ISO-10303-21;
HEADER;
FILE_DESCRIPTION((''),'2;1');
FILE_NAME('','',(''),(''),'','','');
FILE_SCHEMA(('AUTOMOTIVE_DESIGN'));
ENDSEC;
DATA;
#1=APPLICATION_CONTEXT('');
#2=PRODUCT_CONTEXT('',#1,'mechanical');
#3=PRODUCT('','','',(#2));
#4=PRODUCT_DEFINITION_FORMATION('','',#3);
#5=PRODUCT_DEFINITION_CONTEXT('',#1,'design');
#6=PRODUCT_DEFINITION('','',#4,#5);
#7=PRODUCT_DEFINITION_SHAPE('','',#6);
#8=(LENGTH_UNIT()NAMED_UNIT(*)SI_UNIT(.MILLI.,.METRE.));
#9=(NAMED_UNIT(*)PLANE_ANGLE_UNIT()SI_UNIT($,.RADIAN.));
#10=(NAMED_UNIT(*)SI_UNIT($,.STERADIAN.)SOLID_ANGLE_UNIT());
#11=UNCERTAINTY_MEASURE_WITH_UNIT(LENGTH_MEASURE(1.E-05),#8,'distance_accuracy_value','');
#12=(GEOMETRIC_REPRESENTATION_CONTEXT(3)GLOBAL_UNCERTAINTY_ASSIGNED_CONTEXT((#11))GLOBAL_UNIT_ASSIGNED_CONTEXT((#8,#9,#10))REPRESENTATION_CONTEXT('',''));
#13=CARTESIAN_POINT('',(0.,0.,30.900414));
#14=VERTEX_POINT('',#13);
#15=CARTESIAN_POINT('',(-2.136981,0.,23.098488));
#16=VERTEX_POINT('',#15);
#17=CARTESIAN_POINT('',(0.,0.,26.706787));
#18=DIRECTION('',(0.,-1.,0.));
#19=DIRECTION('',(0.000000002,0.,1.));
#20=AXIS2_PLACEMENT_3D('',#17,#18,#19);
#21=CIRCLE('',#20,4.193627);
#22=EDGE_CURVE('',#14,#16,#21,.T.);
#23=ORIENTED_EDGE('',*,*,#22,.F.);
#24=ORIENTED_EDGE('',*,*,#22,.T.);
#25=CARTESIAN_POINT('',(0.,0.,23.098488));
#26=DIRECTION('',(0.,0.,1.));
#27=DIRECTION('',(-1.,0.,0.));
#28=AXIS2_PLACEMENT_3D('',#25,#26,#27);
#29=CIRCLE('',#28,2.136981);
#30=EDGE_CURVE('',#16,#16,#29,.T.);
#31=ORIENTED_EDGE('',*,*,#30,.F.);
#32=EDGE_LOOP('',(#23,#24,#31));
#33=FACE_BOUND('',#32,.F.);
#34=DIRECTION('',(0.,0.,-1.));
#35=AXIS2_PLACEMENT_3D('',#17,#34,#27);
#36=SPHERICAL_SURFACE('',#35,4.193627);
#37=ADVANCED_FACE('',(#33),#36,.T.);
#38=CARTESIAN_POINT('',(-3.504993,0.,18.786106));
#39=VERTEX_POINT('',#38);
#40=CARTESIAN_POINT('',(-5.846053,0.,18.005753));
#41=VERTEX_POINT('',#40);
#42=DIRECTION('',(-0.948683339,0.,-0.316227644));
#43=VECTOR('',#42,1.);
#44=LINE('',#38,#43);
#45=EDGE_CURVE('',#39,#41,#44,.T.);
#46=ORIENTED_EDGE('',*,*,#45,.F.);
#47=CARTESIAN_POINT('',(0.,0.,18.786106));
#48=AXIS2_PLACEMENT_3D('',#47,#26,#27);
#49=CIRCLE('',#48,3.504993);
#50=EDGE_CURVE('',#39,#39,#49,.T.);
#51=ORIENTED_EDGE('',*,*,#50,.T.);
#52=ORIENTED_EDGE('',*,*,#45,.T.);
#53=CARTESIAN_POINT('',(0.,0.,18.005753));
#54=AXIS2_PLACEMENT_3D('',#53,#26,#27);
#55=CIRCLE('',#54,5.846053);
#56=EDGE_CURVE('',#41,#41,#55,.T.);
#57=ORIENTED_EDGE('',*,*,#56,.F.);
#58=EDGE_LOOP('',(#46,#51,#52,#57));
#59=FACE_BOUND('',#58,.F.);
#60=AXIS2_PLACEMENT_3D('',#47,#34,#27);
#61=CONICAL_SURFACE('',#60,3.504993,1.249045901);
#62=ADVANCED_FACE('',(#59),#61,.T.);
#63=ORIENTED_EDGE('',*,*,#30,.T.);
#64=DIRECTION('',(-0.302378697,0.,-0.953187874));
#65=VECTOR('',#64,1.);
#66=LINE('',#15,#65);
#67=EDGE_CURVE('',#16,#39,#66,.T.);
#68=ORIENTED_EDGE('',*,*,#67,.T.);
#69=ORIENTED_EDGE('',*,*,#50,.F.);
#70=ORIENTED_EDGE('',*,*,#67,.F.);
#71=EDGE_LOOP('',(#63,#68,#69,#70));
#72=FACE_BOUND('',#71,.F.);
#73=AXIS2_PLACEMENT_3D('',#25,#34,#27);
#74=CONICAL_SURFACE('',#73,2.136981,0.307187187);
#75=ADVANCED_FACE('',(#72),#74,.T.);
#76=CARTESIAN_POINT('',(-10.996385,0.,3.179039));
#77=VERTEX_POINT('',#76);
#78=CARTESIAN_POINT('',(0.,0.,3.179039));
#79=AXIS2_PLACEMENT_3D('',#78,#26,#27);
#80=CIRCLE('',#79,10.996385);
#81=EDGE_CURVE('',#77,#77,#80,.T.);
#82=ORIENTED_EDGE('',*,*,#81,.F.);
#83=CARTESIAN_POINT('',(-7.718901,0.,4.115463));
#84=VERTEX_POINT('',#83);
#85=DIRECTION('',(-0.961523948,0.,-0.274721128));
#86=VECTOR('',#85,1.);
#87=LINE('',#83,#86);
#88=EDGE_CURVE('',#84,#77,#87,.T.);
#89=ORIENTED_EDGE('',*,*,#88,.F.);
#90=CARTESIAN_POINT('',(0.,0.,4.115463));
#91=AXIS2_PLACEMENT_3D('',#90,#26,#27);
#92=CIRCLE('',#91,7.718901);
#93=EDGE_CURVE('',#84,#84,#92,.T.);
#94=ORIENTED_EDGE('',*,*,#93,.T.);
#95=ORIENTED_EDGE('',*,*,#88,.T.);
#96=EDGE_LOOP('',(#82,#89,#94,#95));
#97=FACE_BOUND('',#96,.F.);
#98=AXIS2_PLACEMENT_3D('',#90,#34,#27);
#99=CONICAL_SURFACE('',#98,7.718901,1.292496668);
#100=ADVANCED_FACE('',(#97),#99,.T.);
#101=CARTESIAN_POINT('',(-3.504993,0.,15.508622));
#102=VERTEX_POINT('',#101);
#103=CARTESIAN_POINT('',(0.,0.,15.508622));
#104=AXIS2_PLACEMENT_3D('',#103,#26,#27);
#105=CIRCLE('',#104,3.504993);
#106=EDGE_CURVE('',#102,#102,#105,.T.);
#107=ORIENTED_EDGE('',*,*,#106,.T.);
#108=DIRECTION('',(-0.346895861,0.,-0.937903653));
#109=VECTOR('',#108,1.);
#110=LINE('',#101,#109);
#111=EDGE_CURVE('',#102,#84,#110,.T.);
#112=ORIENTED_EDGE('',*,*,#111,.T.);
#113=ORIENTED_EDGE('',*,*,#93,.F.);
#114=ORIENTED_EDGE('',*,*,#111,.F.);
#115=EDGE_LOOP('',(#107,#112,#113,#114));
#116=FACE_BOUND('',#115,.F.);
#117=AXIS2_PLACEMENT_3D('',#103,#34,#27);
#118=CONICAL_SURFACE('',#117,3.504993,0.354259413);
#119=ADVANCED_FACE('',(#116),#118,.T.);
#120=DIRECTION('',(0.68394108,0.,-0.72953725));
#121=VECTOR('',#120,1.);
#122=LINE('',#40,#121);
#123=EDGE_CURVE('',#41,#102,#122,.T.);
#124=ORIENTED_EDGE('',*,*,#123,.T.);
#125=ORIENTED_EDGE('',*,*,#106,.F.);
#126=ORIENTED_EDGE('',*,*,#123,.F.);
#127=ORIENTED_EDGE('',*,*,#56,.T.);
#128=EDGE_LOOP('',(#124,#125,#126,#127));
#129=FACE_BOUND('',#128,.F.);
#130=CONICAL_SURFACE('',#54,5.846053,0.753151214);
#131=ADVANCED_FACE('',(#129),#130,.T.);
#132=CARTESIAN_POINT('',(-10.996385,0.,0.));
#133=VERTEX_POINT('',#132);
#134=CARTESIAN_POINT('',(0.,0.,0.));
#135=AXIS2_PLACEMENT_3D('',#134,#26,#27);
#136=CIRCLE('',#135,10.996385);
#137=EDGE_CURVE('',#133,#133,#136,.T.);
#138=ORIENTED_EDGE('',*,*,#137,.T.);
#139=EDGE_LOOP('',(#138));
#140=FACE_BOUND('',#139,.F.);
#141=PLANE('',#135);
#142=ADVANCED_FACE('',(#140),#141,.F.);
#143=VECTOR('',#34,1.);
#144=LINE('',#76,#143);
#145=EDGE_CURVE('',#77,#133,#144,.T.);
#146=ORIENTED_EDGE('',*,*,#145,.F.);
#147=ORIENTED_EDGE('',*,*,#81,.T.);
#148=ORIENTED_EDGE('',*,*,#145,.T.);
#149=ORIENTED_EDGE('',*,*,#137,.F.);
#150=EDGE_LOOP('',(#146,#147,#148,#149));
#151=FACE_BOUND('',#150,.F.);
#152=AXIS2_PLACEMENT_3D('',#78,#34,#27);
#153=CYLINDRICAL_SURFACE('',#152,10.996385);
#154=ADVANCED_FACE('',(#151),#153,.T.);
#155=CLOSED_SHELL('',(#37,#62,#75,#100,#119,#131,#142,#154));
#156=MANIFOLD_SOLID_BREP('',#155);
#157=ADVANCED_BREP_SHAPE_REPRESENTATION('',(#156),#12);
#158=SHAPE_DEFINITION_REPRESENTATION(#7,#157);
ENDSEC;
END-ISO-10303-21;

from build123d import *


with BuildPart() as f1:
    # F0 (on Front) → F1 (revolve)
    with BuildSketch(Plane.XZ):
        with BuildLine():
            Line((0, 0), (0, 30.900414))
            ThreePointArc((0, 30.900414), (-4.044649, 27.814633), (-2.136981, 23.098488))
            Line((-2.136981, 23.098488), (-3.504993, 18.786106))
            Line((-3.504993, 18.786106), (-5.846053, 18.005753))
            Line((-5.846053, 18.005753), (-3.504993, 15.508622))
            Line((-3.504993, 15.508622), (-7.718901, 4.115463))
            Line((-7.718901, 4.115463), (-10.996385, 3.179039))
            Line((-10.996385, 3.179039), (-10.996385, 0))
            Line((-10.996385, 0), (0, 0))
        make_face()
    revolve(axis=Axis((0, 0, 15.450207), (0, 0, 1)))


solid = f1.part
